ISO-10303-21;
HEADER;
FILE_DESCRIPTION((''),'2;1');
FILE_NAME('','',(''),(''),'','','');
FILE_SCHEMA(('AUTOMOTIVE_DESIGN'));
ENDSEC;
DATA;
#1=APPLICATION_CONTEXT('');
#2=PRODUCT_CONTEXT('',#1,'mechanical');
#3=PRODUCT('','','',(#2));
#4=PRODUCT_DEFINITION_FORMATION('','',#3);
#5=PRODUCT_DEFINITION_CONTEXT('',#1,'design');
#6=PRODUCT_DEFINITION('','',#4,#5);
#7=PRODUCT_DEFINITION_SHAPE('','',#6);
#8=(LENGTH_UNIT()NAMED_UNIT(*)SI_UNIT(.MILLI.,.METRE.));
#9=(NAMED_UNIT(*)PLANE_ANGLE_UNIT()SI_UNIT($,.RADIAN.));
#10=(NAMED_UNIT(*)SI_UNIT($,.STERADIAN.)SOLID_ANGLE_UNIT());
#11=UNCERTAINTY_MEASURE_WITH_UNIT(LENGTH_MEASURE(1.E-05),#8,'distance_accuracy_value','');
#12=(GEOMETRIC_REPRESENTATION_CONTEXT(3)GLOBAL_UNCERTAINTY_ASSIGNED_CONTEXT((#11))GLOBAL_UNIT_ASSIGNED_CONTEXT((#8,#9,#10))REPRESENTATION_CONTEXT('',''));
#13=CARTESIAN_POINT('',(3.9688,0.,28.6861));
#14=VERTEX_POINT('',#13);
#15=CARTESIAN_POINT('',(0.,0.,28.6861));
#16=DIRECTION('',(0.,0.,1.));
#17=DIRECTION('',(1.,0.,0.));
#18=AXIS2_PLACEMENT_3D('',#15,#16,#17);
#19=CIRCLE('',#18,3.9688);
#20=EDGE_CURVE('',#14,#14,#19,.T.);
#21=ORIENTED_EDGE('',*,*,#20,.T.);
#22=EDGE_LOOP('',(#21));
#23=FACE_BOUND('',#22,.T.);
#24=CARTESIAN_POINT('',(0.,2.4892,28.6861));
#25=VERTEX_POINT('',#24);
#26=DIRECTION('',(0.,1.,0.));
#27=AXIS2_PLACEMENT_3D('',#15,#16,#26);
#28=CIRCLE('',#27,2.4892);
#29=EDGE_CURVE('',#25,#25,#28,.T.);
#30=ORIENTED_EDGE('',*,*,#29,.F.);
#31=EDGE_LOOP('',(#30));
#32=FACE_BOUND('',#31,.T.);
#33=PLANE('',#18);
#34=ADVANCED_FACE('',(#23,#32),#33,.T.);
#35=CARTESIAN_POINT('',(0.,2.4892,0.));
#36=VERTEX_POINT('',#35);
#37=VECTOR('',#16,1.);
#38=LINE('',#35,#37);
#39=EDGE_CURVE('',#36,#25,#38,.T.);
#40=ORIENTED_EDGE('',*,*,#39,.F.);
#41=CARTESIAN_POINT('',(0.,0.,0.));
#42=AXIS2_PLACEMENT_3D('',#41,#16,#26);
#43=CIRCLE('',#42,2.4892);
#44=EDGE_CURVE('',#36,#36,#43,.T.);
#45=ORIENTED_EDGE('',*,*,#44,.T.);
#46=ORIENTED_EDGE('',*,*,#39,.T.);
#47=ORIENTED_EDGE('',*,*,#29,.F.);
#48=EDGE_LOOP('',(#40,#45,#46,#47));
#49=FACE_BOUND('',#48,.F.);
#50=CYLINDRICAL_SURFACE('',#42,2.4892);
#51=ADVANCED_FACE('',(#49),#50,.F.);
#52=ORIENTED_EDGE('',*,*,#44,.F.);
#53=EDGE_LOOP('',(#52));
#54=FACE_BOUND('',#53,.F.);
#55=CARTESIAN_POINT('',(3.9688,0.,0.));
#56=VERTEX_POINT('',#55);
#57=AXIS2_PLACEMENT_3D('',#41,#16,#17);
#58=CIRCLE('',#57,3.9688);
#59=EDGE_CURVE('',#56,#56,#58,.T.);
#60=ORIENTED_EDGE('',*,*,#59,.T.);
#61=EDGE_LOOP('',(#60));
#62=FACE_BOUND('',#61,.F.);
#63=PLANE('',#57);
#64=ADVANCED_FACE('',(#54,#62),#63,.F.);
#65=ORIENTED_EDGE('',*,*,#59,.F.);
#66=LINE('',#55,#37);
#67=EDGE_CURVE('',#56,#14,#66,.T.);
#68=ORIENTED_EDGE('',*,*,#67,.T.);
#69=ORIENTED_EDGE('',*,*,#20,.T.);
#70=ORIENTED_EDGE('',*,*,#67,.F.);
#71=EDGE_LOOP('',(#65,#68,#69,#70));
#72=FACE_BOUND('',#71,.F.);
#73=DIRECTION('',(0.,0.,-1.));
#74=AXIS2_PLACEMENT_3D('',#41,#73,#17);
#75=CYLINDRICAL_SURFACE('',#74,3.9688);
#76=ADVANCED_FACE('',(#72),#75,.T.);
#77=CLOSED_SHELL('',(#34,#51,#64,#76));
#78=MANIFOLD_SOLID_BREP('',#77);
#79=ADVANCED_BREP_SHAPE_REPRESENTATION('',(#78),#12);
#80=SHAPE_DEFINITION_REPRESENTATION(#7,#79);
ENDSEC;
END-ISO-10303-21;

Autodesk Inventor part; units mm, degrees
ref_plane "YZ Plane" through (0, 0, 0) normal (1, 0, 0) x (0, 1, 0)
ref_plane "XZ Plane" through (0, 0, 0) normal (0, 1, 0) x (-1, 0, 0)
ref_plane "XY Plane" through (0, 0, 0) normal (0, 0, 1) x (1, 0, 0)
sketch "Sketch1" plane through (0, 0, 0) normal (0, 0, 1) x (1, 0, 0)
  circle A0 centre (0, 0) radius 3.9688
  dimension "d0" = 7.9375
extrude "Extrusion1" add sketch "Sketch1" along normal blind 28.6861
hole "Hole1" at (0, 0, 0) direction (0, 0, 1) diameter 4.9784 end through all clearance for "Socket Head Cap Screw" size "#10" standard "Ansi Unified Screw Threads"
properties part number "Supporting Plate Standoff"
